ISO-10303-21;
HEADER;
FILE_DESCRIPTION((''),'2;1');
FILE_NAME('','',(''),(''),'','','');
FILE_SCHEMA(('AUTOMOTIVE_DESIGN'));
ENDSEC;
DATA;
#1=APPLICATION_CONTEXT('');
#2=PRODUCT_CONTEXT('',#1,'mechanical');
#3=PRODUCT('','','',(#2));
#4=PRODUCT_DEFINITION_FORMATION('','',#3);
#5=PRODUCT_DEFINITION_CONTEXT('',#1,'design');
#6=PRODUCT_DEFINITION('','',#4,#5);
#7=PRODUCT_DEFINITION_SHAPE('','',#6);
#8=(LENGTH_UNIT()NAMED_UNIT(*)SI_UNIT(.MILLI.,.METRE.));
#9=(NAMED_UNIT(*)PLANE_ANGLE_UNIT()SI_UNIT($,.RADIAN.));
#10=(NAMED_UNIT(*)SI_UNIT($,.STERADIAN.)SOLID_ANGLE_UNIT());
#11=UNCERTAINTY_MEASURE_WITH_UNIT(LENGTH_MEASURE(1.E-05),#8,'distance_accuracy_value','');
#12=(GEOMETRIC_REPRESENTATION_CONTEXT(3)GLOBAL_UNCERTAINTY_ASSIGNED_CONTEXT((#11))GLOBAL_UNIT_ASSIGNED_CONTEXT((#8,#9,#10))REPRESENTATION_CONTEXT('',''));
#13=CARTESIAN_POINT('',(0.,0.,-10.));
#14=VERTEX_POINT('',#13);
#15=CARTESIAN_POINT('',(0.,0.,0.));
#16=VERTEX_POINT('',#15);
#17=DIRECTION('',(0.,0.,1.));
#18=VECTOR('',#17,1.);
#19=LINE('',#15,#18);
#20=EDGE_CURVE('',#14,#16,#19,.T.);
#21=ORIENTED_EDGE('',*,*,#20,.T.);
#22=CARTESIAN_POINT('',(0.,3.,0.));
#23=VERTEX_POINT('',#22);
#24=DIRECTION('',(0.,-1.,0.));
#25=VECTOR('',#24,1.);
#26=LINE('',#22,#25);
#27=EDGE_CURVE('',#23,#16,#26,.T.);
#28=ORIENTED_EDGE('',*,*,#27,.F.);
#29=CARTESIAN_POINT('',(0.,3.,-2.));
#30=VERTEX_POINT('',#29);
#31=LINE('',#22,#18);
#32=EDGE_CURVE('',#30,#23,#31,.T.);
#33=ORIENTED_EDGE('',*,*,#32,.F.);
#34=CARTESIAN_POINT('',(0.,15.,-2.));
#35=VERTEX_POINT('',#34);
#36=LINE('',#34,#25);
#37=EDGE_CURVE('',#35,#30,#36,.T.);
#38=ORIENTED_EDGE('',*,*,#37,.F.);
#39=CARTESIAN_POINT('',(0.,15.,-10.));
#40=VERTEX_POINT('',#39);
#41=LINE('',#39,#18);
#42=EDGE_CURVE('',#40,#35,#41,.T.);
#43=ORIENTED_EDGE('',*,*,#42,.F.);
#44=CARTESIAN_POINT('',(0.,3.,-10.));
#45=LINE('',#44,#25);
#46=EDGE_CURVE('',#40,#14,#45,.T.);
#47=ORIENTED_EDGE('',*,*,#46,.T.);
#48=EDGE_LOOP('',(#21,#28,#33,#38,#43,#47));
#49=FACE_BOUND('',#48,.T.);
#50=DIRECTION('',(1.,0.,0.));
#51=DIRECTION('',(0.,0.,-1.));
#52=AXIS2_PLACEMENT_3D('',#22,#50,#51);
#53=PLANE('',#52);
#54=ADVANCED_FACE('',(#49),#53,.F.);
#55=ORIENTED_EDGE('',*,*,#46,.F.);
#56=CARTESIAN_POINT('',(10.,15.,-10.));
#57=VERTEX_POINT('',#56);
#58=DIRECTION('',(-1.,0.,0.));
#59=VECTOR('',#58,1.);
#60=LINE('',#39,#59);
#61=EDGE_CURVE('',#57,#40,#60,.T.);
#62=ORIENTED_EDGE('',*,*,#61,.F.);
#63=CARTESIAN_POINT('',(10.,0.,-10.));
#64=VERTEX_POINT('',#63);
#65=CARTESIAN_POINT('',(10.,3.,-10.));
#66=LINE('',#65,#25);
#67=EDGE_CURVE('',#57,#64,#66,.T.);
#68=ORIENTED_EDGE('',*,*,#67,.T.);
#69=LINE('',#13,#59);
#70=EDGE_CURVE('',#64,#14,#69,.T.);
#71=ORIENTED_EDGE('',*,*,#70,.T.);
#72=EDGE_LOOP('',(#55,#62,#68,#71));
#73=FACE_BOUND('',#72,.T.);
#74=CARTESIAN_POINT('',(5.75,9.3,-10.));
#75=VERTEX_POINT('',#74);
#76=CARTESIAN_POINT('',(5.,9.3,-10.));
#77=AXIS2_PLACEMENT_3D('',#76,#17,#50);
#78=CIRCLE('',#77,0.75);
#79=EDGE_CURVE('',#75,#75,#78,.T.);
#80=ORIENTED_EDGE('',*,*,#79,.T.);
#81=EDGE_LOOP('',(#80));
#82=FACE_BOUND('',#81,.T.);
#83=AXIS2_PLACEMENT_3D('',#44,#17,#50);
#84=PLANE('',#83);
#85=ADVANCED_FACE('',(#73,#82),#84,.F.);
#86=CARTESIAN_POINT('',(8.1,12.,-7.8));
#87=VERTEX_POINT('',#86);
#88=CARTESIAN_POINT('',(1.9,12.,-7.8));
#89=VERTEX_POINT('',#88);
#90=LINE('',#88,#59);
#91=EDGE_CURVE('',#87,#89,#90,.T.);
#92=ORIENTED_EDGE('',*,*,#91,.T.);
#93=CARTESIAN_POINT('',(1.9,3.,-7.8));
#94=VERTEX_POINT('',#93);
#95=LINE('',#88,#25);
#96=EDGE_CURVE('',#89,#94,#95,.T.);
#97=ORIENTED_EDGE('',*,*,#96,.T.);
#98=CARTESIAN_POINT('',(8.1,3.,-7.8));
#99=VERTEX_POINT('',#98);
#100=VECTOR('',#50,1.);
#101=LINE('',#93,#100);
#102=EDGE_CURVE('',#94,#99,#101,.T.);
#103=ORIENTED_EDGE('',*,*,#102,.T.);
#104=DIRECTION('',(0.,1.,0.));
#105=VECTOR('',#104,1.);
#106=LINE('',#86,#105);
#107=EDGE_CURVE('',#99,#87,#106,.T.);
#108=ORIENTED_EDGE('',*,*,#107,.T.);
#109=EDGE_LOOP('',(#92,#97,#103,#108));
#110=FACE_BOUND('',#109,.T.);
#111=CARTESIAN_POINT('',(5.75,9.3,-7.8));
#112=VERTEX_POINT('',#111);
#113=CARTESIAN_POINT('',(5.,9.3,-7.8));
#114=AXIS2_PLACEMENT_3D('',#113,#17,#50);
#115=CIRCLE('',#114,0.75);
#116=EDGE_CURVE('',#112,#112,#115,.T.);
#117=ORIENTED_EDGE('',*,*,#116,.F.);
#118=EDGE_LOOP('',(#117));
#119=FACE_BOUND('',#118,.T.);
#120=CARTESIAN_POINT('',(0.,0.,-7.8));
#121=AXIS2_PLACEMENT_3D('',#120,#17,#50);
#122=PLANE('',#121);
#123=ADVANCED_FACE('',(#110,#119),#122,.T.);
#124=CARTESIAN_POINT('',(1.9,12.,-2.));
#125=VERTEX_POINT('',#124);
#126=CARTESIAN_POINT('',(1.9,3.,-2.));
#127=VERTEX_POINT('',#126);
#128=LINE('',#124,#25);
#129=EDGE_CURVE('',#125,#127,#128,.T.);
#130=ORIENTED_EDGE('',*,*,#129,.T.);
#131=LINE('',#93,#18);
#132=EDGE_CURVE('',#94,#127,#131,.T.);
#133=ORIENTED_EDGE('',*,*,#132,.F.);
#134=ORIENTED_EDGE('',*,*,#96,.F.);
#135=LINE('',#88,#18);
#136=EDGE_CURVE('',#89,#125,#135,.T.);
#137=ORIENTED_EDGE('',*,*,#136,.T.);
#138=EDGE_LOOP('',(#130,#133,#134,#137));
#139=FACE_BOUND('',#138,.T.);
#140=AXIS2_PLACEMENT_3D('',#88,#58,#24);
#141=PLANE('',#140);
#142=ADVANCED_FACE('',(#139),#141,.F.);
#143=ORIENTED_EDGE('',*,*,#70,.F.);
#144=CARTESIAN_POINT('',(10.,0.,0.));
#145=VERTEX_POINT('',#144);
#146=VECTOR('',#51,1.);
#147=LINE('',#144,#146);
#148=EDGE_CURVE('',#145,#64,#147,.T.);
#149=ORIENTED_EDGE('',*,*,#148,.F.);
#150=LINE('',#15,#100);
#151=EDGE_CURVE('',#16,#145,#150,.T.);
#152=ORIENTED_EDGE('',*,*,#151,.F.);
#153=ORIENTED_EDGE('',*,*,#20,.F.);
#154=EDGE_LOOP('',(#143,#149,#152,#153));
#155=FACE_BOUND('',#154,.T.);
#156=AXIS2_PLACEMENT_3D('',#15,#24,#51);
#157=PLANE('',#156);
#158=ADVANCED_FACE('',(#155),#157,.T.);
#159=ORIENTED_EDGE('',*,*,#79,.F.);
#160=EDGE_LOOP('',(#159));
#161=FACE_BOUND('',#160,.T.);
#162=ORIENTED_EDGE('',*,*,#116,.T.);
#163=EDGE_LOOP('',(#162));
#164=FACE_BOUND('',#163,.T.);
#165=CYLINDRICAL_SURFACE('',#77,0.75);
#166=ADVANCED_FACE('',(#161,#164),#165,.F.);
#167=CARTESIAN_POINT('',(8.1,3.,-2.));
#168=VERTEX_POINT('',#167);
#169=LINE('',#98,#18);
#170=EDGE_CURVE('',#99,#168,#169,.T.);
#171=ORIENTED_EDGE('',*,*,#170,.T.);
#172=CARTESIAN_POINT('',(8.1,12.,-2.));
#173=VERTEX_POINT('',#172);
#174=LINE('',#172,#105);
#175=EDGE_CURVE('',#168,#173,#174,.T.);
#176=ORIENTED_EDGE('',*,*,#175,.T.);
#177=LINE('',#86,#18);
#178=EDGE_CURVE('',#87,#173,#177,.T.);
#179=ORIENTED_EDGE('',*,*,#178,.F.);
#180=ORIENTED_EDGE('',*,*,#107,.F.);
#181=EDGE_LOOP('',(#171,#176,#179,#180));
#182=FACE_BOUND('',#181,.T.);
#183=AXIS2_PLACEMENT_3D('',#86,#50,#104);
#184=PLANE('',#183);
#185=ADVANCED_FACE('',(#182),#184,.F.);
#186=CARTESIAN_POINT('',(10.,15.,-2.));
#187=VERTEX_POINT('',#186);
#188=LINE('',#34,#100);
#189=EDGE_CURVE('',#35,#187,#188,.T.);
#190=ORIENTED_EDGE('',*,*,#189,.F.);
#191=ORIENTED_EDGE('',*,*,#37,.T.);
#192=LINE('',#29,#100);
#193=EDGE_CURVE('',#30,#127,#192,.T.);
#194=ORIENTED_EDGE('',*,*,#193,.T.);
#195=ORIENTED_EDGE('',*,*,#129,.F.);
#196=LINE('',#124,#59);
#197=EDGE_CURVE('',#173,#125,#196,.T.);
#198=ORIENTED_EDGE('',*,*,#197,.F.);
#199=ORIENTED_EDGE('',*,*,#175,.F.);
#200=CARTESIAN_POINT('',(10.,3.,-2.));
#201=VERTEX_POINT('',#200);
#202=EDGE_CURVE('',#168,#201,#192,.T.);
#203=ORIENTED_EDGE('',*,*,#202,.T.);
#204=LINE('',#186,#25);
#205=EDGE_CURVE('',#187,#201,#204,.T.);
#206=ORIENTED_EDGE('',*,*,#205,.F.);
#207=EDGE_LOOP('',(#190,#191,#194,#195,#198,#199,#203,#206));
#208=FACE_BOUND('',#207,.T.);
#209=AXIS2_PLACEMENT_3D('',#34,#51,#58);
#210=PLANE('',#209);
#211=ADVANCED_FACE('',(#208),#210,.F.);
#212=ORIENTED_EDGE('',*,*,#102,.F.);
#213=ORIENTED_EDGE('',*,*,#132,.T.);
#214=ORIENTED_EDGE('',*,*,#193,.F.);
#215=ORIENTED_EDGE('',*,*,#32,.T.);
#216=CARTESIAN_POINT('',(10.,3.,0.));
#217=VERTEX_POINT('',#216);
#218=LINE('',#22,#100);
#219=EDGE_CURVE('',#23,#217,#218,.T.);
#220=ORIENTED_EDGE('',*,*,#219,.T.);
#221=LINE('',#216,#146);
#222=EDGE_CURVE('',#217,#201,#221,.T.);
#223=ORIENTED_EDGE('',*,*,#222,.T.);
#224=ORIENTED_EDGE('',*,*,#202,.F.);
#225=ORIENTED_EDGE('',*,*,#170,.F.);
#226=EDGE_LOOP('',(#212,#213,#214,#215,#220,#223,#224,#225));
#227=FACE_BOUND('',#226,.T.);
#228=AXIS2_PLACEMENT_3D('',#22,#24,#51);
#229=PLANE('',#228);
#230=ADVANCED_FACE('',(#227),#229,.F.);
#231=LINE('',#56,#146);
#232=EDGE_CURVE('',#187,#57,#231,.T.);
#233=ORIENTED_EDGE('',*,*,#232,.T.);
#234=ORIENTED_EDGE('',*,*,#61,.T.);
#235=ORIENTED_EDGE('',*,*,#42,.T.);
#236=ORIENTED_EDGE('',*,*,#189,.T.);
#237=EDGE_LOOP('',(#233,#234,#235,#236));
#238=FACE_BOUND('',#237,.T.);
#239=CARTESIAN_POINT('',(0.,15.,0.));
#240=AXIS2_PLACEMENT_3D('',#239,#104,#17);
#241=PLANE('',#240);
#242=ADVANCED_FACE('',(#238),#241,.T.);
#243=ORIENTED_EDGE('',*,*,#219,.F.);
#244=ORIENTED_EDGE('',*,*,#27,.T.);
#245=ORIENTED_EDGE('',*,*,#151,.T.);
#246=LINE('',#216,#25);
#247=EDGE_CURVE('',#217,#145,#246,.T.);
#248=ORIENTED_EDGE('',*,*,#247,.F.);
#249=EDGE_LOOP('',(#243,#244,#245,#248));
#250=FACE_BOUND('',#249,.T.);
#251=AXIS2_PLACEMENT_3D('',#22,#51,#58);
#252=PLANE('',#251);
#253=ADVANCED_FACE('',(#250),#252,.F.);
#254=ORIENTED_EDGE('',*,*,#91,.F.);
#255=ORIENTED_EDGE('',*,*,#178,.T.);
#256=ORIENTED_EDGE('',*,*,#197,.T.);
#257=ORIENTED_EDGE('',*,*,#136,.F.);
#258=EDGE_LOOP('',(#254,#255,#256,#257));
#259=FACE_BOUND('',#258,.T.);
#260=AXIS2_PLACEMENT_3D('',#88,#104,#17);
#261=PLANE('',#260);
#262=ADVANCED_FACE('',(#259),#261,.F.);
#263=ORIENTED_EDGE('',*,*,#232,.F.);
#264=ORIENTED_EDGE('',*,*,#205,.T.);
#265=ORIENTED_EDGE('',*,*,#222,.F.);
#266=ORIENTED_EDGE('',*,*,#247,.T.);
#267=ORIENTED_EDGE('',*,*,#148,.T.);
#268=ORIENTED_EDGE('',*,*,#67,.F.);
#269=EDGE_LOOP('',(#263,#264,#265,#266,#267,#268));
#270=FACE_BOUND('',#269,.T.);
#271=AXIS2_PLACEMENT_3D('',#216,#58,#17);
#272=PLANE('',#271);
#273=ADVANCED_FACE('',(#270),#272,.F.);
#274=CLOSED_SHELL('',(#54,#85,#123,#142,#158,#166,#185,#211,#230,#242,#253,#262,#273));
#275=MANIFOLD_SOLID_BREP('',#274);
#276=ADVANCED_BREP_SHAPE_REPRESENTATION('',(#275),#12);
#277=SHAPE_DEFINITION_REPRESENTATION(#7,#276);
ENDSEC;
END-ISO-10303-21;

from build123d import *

# Parameters (mm, degrees)
SKETCH1_W           = 10
SKETCH1_H           = 10
BOSS_EXTRUDE1_DEPTH = 3
SKETCH2_W           = 10
SKETCH2_H           = 8
BOSS_EXTRUDE2_DEPTH = 12
SKETCH3_W           = 6.2
SKETCH3_H           = 9
CUT_EXTRUDE1_DEPTH  = 5.8
SKETCH4_R           = 0.75
CUT_EXTRUDE2_DEPTH  = 20.64281039


with BuildPart() as part:
    # Sketch1 → Boss-Extrude1 (new body)
    with BuildSketch(Plane(origin=(0, 0, 0), x_dir=(1, 0, 0), z_dir=(0, 1, 0))):
        with Locations((5, 5)):
            Rectangle(SKETCH1_W, SKETCH1_H)
    extrude(amount=BOSS_EXTRUDE1_DEPTH)

    # Sketch2 → Boss-Extrude2 (add)
    with BuildSketch(Plane(origin=(0, 3, 0), x_dir=(1, 0, 0), z_dir=(0, 1, 0))):
        with Locations((5, 6)):
            Rectangle(SKETCH2_W, SKETCH2_H)
    extrude(amount=BOSS_EXTRUDE2_DEPTH)

    # Sketch3 → Cut-Extrude1 (cut)
    with BuildSketch(Plane.XY.offset(-2)):
        with Locations((5, 7.5)):
            Rectangle(SKETCH3_W, SKETCH3_H)
    extrude(amount=-CUT_EXTRUDE1_DEPTH, mode=Mode.SUBTRACT)

    # Sketch4 → Cut-Extrude2 (cut, through all)
    with BuildSketch(Plane.XY.offset(-7.8)):
        with Locations((5, 9.3)):
            Circle(SKETCH4_R)
    extrude(amount=-CUT_EXTRUDE2_DEPTH, mode=Mode.SUBTRACT)


solid = part.part
